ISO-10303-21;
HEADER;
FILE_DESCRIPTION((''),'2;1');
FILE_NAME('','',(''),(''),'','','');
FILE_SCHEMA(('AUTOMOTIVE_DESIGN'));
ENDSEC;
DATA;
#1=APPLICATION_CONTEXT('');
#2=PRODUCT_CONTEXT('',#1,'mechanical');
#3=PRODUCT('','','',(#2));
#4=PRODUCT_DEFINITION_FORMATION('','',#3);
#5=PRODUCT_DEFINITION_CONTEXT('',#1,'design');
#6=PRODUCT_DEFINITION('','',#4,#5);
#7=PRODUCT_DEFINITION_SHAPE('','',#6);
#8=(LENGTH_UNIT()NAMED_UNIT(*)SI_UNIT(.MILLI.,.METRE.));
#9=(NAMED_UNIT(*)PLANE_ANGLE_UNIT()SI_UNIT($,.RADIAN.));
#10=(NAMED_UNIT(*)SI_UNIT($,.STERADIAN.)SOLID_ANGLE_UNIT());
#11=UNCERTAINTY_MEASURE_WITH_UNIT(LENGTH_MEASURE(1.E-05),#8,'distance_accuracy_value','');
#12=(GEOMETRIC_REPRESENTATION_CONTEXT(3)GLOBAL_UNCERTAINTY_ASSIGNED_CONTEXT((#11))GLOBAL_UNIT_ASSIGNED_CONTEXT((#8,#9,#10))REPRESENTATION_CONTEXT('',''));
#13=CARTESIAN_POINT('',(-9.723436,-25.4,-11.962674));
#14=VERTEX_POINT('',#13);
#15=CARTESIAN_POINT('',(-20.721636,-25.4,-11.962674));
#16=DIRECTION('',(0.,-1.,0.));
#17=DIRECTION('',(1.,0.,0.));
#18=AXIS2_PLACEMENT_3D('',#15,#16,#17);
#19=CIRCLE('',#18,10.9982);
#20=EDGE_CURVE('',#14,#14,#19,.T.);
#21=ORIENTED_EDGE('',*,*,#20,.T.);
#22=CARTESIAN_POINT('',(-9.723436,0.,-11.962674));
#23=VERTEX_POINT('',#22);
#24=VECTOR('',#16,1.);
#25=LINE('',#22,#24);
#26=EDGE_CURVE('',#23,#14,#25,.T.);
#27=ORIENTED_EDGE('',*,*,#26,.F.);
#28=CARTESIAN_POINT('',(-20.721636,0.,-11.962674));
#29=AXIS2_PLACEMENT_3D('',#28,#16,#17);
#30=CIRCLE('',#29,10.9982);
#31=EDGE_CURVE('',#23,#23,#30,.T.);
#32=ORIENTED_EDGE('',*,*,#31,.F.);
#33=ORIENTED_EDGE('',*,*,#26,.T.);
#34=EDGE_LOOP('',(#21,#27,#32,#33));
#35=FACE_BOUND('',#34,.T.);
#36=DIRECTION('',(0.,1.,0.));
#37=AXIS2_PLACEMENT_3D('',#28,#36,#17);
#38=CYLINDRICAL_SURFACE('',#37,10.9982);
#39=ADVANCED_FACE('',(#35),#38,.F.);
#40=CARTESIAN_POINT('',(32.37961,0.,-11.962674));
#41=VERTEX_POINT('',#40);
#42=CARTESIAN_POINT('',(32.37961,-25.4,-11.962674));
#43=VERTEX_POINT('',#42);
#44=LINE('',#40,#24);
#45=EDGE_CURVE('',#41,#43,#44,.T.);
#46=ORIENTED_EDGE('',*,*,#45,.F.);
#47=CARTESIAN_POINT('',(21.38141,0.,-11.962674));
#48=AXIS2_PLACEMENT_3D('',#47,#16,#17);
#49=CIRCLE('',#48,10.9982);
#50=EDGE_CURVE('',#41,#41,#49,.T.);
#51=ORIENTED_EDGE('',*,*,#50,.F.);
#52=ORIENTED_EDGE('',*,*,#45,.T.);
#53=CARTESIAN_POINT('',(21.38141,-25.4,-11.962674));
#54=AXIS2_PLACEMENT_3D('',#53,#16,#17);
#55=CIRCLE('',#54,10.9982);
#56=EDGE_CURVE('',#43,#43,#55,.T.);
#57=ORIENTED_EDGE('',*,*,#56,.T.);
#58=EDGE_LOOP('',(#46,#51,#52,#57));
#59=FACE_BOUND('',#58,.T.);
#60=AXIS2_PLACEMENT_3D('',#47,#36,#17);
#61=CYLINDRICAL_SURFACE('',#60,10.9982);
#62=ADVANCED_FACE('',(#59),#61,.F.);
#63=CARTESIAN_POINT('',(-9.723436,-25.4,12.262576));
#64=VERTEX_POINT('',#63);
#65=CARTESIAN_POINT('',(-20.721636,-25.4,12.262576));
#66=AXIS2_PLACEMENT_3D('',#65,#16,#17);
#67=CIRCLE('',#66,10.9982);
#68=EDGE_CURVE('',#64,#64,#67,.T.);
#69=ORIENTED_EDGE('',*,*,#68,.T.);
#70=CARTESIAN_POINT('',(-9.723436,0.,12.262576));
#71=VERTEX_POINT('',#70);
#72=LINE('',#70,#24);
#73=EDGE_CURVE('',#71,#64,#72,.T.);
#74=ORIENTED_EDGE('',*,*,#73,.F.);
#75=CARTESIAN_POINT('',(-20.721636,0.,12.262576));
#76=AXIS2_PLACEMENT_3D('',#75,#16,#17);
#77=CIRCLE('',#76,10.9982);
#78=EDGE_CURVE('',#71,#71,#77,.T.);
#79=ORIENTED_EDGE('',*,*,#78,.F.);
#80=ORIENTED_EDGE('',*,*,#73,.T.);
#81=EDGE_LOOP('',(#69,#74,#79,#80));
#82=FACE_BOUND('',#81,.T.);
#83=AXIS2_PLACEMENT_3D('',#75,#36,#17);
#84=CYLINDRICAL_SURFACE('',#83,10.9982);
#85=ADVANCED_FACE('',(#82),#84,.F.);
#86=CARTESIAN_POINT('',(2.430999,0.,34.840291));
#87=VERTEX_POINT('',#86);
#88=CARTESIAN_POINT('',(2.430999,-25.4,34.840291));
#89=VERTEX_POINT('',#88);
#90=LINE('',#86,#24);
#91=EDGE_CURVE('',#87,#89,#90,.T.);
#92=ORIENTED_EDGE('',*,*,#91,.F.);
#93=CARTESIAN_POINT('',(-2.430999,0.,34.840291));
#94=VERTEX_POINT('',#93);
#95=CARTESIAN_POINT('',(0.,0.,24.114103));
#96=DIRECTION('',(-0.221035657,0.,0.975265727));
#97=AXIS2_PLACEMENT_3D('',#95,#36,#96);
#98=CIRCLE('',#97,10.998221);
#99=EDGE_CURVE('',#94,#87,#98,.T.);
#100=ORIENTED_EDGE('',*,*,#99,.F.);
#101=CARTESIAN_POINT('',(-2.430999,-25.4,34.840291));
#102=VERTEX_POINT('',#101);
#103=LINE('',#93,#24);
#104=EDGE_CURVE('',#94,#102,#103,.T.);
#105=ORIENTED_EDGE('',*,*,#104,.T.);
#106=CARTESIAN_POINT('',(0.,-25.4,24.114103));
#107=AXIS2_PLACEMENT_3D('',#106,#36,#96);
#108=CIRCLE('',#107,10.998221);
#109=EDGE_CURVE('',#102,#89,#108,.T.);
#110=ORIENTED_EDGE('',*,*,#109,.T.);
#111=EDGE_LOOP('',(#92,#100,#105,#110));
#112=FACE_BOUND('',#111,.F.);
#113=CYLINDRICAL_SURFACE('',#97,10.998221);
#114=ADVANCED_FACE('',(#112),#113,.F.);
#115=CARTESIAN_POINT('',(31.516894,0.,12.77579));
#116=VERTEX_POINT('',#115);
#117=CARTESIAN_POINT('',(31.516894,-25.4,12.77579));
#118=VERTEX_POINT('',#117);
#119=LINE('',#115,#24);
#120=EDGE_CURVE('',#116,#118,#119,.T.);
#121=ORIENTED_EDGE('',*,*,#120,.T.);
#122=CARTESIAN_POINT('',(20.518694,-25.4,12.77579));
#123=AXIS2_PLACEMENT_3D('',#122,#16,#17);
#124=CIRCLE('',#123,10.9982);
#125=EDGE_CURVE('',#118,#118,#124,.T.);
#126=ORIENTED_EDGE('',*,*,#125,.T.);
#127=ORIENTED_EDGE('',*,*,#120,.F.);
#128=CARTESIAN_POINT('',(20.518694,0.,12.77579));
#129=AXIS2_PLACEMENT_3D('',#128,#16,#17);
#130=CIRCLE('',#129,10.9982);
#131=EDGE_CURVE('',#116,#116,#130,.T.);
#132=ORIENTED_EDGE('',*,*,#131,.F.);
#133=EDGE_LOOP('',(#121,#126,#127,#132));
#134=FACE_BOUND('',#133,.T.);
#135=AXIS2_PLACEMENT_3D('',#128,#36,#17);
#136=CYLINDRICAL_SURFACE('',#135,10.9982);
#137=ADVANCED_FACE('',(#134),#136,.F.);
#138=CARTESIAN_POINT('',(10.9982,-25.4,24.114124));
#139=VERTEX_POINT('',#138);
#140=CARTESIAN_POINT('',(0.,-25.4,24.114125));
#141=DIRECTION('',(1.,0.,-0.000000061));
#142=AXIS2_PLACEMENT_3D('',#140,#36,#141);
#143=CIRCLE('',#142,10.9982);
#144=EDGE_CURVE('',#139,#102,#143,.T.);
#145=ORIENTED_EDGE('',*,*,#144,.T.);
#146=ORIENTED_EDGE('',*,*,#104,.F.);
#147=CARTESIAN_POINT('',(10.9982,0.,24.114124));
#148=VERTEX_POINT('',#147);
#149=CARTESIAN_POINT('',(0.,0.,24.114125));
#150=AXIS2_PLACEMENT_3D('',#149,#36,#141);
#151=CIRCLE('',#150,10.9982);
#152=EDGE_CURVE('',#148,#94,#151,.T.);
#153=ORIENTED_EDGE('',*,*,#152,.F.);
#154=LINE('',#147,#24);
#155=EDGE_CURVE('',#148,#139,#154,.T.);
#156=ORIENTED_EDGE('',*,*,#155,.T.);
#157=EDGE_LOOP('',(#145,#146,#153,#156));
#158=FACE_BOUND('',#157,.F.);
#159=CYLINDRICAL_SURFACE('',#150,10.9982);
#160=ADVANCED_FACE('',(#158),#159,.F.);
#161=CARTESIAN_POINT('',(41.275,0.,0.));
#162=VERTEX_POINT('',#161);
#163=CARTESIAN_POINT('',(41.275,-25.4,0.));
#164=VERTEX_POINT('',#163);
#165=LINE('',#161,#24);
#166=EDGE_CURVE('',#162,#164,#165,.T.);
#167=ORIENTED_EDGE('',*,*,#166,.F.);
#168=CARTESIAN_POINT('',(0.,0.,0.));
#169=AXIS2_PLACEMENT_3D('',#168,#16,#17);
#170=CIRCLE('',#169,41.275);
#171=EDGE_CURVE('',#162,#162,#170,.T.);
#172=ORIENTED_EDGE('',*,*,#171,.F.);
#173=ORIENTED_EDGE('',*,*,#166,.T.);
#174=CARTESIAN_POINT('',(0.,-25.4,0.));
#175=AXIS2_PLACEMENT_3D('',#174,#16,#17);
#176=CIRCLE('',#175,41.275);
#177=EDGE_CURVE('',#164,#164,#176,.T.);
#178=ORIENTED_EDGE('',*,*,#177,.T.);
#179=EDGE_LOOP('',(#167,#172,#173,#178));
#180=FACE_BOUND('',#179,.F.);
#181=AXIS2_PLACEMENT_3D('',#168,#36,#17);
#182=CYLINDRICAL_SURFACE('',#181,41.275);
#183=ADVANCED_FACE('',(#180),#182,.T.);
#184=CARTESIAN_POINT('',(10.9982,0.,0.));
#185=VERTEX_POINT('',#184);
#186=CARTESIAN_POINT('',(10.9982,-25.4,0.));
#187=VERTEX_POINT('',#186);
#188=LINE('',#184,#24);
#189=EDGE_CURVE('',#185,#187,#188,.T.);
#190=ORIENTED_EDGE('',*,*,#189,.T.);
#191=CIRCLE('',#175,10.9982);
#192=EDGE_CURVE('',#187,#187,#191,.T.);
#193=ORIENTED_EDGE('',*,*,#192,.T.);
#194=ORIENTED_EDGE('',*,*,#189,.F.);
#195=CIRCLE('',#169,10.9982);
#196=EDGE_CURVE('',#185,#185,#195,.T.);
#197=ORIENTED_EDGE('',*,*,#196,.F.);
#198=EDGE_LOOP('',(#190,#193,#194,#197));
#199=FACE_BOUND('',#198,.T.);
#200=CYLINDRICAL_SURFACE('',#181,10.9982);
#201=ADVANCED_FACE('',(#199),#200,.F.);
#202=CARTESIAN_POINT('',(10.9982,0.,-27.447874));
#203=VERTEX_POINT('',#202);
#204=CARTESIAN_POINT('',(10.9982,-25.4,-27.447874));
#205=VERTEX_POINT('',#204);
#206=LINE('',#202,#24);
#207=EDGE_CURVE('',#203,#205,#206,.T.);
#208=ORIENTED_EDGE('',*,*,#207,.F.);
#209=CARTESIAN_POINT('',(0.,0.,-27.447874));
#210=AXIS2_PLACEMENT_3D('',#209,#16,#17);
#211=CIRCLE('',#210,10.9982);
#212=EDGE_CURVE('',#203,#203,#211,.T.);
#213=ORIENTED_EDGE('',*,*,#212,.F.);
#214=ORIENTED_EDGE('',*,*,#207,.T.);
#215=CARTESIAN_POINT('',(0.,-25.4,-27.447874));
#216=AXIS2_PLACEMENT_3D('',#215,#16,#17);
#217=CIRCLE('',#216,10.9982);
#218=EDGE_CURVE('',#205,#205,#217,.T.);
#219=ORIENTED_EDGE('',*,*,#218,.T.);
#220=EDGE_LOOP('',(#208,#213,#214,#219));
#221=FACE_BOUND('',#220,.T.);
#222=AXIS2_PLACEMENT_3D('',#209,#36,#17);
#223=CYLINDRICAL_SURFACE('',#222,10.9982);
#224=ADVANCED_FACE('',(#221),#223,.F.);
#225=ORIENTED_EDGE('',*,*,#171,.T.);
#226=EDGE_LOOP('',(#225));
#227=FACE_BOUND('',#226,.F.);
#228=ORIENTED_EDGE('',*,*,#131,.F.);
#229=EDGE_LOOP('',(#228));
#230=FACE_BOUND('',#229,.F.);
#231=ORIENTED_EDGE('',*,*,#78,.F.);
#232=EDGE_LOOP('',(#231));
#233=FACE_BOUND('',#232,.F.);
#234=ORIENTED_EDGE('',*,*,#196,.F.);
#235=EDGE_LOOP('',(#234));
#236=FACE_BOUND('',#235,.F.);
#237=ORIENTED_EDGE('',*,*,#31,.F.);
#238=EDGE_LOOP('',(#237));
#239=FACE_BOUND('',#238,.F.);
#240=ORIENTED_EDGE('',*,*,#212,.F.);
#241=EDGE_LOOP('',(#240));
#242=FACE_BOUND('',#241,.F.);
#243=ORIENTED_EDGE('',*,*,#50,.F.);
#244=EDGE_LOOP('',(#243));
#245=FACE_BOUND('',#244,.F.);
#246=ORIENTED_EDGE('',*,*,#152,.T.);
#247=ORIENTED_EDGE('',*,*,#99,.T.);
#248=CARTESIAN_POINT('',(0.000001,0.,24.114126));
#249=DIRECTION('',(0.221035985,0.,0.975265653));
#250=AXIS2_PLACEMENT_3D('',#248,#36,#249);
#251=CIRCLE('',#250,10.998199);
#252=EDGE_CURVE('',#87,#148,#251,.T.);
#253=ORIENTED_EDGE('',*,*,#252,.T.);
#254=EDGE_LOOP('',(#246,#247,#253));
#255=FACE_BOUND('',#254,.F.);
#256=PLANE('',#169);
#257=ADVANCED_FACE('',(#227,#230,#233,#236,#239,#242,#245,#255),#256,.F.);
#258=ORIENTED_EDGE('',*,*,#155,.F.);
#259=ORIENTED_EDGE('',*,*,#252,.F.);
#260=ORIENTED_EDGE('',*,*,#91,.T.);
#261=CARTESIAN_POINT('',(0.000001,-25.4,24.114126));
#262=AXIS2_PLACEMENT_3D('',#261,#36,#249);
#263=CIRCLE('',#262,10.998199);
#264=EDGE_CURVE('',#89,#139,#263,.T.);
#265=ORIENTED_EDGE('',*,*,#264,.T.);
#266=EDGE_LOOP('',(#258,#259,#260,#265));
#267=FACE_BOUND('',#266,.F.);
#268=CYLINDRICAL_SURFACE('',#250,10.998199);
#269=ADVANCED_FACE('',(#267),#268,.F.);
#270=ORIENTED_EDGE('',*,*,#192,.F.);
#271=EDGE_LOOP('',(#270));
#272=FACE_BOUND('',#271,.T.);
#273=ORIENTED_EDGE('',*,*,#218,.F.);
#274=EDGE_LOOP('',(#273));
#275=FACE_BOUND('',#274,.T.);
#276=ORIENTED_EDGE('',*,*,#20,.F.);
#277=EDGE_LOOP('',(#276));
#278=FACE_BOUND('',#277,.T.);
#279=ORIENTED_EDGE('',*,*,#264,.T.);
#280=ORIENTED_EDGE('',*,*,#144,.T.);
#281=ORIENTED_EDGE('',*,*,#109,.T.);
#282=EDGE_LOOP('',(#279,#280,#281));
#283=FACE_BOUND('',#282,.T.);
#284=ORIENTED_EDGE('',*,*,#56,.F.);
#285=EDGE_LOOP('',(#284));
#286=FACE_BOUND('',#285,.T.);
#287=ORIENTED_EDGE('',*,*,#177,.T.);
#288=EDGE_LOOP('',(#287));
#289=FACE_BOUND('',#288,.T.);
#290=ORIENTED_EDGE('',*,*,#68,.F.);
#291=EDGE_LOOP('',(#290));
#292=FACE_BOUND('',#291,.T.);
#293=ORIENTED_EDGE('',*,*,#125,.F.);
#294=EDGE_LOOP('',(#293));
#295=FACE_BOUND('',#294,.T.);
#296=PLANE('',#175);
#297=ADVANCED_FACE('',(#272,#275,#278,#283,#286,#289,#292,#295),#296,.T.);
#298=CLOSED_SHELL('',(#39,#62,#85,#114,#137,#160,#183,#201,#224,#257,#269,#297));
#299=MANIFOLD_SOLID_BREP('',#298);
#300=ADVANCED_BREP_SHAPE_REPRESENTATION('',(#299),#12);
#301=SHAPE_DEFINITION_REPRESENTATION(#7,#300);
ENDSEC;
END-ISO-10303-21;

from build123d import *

# Parameters (mm, degrees)
F0_R     = 41.275
F0_R_2   = 10.9982
F1_DEPTH = 25.4


with BuildPart() as f1:
    # F0 (on Front) → F1 (new body)
    with BuildSketch(Plane.XZ):
        Circle(F0_R)
        with Locations((-20.721636, -11.962674)):
            Circle(F0_R_2, mode=Mode.SUBTRACT)
        with Locations((0, -27.447874)):
            Circle(F0_R_2, mode=Mode.SUBTRACT)
        with Locations((21.38141, -11.962674)):
            Circle(F0_R_2, mode=Mode.SUBTRACT)
        with Locations((-20.721636, 12.262576)):
            Circle(F0_R_2, mode=Mode.SUBTRACT)
        Circle(F0_R_2, mode=Mode.SUBTRACT)
        with Locations((20.518694, 12.77579)):
            Circle(F0_R_2, mode=Mode.SUBTRACT)
        with BuildLine():
            ThreePointArc((-2.430999, 34.840291), (0, 35.112324), (2.430999, 34.840291))
            ThreePointArc((2.430999, 34.840291), (8.593516, 30.977935), (10.9982, 24.114124))
            ThreePointArc((10.9982, 24.114124), (-6.86381, 15.520609), (-2.430999, 34.840291))
        make_face(mode=Mode.SUBTRACT)
    extrude(amount=F1_DEPTH)


solid = f1.part
